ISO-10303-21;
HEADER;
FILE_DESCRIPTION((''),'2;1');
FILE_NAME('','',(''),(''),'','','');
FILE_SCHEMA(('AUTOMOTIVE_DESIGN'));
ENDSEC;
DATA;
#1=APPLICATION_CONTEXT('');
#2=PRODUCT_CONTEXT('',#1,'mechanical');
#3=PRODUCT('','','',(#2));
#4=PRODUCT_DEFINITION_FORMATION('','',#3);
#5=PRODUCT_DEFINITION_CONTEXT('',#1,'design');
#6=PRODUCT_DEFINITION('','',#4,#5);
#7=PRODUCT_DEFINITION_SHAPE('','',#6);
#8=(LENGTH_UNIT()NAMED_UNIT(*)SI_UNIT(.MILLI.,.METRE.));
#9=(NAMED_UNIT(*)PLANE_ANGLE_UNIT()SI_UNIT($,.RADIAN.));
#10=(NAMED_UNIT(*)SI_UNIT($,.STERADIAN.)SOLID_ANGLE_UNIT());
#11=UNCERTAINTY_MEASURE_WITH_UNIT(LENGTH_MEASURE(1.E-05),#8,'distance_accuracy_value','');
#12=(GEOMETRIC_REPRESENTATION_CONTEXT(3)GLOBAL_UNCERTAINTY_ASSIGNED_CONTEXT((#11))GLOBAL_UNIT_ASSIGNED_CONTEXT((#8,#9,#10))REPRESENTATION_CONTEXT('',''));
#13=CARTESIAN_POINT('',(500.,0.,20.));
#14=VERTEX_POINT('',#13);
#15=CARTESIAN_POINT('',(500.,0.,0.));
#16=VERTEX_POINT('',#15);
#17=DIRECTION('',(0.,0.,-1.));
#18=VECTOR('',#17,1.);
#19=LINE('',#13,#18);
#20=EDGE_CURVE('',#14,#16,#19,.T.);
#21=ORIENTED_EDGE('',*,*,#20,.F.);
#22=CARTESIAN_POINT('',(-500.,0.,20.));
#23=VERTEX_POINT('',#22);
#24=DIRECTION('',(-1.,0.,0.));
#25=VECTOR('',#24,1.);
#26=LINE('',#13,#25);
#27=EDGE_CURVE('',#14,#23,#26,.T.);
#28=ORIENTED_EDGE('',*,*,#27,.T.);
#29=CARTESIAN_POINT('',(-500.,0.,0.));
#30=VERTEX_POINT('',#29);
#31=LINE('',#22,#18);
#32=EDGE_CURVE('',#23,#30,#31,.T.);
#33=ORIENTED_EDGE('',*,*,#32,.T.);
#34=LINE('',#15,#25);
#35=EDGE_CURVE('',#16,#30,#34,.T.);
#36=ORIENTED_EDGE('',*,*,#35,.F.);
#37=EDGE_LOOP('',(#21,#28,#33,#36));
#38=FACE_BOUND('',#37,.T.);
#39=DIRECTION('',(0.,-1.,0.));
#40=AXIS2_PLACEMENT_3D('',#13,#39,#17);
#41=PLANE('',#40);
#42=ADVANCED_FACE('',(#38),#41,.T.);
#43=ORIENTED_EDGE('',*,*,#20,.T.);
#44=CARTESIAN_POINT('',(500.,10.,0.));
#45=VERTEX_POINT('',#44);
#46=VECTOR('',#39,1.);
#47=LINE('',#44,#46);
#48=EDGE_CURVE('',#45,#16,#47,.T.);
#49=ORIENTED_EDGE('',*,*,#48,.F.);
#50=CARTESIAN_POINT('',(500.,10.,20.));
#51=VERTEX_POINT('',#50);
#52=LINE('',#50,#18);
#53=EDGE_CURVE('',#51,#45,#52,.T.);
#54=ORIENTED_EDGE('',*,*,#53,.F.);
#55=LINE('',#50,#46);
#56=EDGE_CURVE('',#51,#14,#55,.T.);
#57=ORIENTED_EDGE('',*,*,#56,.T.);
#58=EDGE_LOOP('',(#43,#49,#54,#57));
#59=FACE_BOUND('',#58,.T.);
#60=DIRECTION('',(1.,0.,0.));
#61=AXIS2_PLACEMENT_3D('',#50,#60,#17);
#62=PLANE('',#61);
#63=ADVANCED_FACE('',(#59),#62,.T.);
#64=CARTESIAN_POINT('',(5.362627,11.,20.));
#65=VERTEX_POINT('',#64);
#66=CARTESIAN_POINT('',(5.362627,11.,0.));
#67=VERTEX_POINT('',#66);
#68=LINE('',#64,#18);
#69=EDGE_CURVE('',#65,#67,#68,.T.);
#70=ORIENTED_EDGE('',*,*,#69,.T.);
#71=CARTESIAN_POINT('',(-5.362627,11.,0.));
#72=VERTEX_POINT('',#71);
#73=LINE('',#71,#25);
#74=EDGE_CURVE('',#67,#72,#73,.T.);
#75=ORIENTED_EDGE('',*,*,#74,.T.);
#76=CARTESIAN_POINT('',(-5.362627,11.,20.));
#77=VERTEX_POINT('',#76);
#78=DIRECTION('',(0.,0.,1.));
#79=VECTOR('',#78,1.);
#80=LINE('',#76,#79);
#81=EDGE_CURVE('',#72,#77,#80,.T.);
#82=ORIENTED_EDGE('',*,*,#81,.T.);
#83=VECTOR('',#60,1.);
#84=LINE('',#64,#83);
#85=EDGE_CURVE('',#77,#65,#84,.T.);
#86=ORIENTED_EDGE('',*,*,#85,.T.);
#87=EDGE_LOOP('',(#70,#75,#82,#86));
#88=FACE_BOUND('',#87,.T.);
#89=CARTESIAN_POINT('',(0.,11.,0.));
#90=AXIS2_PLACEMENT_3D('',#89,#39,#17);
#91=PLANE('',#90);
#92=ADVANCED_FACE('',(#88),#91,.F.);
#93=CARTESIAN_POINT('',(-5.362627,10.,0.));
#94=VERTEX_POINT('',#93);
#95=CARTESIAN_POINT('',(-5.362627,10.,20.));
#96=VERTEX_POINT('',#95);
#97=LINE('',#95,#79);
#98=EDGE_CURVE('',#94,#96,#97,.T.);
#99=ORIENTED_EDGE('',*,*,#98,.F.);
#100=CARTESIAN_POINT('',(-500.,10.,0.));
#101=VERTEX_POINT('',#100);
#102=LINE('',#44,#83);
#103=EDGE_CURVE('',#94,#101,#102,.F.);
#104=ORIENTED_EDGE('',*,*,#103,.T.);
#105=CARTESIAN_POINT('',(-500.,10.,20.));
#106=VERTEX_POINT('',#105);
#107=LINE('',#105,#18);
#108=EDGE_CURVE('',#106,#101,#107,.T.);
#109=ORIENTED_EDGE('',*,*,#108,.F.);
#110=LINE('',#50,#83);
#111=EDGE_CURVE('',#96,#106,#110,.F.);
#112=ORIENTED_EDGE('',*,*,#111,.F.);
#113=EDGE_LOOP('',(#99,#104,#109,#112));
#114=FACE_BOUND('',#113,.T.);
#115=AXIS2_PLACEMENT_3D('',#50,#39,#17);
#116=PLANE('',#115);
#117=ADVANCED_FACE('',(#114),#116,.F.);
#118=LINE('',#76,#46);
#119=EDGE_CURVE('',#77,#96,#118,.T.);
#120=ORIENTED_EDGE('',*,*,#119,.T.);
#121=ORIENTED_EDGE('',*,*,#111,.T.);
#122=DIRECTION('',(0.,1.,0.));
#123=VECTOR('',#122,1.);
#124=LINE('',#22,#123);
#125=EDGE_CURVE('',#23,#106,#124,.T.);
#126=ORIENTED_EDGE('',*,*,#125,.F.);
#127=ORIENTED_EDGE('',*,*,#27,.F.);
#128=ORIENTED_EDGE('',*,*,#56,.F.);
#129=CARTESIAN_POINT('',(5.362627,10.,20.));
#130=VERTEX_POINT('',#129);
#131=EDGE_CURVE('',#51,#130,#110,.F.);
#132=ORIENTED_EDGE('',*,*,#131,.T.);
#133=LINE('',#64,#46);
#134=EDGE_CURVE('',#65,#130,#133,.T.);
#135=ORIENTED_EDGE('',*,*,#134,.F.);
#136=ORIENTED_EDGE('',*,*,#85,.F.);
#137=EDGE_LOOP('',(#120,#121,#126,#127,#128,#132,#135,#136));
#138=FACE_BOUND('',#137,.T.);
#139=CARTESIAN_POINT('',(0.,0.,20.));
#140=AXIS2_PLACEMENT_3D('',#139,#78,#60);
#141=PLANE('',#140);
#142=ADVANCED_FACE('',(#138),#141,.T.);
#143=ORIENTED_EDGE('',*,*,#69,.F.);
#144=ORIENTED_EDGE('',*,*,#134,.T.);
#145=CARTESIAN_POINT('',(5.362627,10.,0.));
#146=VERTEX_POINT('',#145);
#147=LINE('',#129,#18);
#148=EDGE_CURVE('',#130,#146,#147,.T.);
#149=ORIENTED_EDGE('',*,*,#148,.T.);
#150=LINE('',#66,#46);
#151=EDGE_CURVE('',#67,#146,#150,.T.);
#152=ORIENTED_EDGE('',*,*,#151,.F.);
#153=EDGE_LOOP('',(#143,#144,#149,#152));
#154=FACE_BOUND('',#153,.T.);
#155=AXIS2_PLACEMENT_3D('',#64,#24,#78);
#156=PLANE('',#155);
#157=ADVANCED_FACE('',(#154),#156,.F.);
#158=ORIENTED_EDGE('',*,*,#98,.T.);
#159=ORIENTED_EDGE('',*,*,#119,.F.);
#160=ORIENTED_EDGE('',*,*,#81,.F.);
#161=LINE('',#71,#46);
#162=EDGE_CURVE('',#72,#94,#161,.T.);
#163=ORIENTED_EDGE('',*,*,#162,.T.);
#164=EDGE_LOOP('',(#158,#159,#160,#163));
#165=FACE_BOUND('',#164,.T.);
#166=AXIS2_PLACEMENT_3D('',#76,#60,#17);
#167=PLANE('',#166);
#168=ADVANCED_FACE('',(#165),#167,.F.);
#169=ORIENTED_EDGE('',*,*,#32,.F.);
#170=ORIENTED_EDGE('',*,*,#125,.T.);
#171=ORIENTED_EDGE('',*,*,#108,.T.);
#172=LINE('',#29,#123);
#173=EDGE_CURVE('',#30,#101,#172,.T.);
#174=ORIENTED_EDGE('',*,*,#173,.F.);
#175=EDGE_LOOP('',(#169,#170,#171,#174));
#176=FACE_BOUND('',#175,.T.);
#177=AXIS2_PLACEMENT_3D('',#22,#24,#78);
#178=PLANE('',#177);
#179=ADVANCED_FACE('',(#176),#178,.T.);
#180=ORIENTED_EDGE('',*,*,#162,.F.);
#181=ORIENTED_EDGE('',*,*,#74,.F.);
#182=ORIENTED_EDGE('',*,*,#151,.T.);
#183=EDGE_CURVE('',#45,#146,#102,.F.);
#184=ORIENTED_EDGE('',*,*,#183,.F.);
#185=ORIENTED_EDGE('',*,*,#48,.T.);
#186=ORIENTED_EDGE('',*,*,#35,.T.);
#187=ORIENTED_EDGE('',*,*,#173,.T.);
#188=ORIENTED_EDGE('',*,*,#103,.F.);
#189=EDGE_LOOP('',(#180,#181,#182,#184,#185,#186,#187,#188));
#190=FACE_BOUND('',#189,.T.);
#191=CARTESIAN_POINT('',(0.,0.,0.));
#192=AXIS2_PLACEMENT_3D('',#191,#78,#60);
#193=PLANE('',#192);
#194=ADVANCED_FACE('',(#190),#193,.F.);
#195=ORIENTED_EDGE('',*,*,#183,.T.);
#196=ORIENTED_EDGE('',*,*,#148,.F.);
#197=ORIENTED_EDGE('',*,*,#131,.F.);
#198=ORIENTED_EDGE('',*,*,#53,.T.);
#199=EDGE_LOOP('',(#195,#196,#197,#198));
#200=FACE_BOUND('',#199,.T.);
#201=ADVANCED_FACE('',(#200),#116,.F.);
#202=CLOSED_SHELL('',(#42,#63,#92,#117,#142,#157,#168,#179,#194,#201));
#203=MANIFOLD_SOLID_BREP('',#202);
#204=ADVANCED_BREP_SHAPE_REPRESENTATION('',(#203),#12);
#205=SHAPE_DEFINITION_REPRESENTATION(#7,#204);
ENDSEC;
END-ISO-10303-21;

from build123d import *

# Parameters (mm, degrees)
SKETCH2_W           = 1000
SKETCH2_H           = 10
EXTRUDE_THIN1_DEPTH = 20
SKETCH4_W           = 10.725253094
SKETCH4_H           = 20
BOSS_EXTRUDE1_DEPTH = 1


with BuildPart() as part:
    # Sketch2 → Extrude-Thin1 (new body)
    with BuildSketch(Plane.XY):
        with Locations((0, 5)):
            Rectangle(SKETCH2_W, SKETCH2_H)
    extrude(amount=EXTRUDE_THIN1_DEPTH)

    # Sketch4 → Boss-Extrude1 (add)
    with BuildSketch(Plane(origin=(0, 10, 0), x_dir=(1, 0, 0), z_dir=(0, 1, 0))):
        with Locations((0, -10)):
            Rectangle(SKETCH4_W, SKETCH4_H)
    extrude(amount=BOSS_EXTRUDE1_DEPTH)


solid = part.part
